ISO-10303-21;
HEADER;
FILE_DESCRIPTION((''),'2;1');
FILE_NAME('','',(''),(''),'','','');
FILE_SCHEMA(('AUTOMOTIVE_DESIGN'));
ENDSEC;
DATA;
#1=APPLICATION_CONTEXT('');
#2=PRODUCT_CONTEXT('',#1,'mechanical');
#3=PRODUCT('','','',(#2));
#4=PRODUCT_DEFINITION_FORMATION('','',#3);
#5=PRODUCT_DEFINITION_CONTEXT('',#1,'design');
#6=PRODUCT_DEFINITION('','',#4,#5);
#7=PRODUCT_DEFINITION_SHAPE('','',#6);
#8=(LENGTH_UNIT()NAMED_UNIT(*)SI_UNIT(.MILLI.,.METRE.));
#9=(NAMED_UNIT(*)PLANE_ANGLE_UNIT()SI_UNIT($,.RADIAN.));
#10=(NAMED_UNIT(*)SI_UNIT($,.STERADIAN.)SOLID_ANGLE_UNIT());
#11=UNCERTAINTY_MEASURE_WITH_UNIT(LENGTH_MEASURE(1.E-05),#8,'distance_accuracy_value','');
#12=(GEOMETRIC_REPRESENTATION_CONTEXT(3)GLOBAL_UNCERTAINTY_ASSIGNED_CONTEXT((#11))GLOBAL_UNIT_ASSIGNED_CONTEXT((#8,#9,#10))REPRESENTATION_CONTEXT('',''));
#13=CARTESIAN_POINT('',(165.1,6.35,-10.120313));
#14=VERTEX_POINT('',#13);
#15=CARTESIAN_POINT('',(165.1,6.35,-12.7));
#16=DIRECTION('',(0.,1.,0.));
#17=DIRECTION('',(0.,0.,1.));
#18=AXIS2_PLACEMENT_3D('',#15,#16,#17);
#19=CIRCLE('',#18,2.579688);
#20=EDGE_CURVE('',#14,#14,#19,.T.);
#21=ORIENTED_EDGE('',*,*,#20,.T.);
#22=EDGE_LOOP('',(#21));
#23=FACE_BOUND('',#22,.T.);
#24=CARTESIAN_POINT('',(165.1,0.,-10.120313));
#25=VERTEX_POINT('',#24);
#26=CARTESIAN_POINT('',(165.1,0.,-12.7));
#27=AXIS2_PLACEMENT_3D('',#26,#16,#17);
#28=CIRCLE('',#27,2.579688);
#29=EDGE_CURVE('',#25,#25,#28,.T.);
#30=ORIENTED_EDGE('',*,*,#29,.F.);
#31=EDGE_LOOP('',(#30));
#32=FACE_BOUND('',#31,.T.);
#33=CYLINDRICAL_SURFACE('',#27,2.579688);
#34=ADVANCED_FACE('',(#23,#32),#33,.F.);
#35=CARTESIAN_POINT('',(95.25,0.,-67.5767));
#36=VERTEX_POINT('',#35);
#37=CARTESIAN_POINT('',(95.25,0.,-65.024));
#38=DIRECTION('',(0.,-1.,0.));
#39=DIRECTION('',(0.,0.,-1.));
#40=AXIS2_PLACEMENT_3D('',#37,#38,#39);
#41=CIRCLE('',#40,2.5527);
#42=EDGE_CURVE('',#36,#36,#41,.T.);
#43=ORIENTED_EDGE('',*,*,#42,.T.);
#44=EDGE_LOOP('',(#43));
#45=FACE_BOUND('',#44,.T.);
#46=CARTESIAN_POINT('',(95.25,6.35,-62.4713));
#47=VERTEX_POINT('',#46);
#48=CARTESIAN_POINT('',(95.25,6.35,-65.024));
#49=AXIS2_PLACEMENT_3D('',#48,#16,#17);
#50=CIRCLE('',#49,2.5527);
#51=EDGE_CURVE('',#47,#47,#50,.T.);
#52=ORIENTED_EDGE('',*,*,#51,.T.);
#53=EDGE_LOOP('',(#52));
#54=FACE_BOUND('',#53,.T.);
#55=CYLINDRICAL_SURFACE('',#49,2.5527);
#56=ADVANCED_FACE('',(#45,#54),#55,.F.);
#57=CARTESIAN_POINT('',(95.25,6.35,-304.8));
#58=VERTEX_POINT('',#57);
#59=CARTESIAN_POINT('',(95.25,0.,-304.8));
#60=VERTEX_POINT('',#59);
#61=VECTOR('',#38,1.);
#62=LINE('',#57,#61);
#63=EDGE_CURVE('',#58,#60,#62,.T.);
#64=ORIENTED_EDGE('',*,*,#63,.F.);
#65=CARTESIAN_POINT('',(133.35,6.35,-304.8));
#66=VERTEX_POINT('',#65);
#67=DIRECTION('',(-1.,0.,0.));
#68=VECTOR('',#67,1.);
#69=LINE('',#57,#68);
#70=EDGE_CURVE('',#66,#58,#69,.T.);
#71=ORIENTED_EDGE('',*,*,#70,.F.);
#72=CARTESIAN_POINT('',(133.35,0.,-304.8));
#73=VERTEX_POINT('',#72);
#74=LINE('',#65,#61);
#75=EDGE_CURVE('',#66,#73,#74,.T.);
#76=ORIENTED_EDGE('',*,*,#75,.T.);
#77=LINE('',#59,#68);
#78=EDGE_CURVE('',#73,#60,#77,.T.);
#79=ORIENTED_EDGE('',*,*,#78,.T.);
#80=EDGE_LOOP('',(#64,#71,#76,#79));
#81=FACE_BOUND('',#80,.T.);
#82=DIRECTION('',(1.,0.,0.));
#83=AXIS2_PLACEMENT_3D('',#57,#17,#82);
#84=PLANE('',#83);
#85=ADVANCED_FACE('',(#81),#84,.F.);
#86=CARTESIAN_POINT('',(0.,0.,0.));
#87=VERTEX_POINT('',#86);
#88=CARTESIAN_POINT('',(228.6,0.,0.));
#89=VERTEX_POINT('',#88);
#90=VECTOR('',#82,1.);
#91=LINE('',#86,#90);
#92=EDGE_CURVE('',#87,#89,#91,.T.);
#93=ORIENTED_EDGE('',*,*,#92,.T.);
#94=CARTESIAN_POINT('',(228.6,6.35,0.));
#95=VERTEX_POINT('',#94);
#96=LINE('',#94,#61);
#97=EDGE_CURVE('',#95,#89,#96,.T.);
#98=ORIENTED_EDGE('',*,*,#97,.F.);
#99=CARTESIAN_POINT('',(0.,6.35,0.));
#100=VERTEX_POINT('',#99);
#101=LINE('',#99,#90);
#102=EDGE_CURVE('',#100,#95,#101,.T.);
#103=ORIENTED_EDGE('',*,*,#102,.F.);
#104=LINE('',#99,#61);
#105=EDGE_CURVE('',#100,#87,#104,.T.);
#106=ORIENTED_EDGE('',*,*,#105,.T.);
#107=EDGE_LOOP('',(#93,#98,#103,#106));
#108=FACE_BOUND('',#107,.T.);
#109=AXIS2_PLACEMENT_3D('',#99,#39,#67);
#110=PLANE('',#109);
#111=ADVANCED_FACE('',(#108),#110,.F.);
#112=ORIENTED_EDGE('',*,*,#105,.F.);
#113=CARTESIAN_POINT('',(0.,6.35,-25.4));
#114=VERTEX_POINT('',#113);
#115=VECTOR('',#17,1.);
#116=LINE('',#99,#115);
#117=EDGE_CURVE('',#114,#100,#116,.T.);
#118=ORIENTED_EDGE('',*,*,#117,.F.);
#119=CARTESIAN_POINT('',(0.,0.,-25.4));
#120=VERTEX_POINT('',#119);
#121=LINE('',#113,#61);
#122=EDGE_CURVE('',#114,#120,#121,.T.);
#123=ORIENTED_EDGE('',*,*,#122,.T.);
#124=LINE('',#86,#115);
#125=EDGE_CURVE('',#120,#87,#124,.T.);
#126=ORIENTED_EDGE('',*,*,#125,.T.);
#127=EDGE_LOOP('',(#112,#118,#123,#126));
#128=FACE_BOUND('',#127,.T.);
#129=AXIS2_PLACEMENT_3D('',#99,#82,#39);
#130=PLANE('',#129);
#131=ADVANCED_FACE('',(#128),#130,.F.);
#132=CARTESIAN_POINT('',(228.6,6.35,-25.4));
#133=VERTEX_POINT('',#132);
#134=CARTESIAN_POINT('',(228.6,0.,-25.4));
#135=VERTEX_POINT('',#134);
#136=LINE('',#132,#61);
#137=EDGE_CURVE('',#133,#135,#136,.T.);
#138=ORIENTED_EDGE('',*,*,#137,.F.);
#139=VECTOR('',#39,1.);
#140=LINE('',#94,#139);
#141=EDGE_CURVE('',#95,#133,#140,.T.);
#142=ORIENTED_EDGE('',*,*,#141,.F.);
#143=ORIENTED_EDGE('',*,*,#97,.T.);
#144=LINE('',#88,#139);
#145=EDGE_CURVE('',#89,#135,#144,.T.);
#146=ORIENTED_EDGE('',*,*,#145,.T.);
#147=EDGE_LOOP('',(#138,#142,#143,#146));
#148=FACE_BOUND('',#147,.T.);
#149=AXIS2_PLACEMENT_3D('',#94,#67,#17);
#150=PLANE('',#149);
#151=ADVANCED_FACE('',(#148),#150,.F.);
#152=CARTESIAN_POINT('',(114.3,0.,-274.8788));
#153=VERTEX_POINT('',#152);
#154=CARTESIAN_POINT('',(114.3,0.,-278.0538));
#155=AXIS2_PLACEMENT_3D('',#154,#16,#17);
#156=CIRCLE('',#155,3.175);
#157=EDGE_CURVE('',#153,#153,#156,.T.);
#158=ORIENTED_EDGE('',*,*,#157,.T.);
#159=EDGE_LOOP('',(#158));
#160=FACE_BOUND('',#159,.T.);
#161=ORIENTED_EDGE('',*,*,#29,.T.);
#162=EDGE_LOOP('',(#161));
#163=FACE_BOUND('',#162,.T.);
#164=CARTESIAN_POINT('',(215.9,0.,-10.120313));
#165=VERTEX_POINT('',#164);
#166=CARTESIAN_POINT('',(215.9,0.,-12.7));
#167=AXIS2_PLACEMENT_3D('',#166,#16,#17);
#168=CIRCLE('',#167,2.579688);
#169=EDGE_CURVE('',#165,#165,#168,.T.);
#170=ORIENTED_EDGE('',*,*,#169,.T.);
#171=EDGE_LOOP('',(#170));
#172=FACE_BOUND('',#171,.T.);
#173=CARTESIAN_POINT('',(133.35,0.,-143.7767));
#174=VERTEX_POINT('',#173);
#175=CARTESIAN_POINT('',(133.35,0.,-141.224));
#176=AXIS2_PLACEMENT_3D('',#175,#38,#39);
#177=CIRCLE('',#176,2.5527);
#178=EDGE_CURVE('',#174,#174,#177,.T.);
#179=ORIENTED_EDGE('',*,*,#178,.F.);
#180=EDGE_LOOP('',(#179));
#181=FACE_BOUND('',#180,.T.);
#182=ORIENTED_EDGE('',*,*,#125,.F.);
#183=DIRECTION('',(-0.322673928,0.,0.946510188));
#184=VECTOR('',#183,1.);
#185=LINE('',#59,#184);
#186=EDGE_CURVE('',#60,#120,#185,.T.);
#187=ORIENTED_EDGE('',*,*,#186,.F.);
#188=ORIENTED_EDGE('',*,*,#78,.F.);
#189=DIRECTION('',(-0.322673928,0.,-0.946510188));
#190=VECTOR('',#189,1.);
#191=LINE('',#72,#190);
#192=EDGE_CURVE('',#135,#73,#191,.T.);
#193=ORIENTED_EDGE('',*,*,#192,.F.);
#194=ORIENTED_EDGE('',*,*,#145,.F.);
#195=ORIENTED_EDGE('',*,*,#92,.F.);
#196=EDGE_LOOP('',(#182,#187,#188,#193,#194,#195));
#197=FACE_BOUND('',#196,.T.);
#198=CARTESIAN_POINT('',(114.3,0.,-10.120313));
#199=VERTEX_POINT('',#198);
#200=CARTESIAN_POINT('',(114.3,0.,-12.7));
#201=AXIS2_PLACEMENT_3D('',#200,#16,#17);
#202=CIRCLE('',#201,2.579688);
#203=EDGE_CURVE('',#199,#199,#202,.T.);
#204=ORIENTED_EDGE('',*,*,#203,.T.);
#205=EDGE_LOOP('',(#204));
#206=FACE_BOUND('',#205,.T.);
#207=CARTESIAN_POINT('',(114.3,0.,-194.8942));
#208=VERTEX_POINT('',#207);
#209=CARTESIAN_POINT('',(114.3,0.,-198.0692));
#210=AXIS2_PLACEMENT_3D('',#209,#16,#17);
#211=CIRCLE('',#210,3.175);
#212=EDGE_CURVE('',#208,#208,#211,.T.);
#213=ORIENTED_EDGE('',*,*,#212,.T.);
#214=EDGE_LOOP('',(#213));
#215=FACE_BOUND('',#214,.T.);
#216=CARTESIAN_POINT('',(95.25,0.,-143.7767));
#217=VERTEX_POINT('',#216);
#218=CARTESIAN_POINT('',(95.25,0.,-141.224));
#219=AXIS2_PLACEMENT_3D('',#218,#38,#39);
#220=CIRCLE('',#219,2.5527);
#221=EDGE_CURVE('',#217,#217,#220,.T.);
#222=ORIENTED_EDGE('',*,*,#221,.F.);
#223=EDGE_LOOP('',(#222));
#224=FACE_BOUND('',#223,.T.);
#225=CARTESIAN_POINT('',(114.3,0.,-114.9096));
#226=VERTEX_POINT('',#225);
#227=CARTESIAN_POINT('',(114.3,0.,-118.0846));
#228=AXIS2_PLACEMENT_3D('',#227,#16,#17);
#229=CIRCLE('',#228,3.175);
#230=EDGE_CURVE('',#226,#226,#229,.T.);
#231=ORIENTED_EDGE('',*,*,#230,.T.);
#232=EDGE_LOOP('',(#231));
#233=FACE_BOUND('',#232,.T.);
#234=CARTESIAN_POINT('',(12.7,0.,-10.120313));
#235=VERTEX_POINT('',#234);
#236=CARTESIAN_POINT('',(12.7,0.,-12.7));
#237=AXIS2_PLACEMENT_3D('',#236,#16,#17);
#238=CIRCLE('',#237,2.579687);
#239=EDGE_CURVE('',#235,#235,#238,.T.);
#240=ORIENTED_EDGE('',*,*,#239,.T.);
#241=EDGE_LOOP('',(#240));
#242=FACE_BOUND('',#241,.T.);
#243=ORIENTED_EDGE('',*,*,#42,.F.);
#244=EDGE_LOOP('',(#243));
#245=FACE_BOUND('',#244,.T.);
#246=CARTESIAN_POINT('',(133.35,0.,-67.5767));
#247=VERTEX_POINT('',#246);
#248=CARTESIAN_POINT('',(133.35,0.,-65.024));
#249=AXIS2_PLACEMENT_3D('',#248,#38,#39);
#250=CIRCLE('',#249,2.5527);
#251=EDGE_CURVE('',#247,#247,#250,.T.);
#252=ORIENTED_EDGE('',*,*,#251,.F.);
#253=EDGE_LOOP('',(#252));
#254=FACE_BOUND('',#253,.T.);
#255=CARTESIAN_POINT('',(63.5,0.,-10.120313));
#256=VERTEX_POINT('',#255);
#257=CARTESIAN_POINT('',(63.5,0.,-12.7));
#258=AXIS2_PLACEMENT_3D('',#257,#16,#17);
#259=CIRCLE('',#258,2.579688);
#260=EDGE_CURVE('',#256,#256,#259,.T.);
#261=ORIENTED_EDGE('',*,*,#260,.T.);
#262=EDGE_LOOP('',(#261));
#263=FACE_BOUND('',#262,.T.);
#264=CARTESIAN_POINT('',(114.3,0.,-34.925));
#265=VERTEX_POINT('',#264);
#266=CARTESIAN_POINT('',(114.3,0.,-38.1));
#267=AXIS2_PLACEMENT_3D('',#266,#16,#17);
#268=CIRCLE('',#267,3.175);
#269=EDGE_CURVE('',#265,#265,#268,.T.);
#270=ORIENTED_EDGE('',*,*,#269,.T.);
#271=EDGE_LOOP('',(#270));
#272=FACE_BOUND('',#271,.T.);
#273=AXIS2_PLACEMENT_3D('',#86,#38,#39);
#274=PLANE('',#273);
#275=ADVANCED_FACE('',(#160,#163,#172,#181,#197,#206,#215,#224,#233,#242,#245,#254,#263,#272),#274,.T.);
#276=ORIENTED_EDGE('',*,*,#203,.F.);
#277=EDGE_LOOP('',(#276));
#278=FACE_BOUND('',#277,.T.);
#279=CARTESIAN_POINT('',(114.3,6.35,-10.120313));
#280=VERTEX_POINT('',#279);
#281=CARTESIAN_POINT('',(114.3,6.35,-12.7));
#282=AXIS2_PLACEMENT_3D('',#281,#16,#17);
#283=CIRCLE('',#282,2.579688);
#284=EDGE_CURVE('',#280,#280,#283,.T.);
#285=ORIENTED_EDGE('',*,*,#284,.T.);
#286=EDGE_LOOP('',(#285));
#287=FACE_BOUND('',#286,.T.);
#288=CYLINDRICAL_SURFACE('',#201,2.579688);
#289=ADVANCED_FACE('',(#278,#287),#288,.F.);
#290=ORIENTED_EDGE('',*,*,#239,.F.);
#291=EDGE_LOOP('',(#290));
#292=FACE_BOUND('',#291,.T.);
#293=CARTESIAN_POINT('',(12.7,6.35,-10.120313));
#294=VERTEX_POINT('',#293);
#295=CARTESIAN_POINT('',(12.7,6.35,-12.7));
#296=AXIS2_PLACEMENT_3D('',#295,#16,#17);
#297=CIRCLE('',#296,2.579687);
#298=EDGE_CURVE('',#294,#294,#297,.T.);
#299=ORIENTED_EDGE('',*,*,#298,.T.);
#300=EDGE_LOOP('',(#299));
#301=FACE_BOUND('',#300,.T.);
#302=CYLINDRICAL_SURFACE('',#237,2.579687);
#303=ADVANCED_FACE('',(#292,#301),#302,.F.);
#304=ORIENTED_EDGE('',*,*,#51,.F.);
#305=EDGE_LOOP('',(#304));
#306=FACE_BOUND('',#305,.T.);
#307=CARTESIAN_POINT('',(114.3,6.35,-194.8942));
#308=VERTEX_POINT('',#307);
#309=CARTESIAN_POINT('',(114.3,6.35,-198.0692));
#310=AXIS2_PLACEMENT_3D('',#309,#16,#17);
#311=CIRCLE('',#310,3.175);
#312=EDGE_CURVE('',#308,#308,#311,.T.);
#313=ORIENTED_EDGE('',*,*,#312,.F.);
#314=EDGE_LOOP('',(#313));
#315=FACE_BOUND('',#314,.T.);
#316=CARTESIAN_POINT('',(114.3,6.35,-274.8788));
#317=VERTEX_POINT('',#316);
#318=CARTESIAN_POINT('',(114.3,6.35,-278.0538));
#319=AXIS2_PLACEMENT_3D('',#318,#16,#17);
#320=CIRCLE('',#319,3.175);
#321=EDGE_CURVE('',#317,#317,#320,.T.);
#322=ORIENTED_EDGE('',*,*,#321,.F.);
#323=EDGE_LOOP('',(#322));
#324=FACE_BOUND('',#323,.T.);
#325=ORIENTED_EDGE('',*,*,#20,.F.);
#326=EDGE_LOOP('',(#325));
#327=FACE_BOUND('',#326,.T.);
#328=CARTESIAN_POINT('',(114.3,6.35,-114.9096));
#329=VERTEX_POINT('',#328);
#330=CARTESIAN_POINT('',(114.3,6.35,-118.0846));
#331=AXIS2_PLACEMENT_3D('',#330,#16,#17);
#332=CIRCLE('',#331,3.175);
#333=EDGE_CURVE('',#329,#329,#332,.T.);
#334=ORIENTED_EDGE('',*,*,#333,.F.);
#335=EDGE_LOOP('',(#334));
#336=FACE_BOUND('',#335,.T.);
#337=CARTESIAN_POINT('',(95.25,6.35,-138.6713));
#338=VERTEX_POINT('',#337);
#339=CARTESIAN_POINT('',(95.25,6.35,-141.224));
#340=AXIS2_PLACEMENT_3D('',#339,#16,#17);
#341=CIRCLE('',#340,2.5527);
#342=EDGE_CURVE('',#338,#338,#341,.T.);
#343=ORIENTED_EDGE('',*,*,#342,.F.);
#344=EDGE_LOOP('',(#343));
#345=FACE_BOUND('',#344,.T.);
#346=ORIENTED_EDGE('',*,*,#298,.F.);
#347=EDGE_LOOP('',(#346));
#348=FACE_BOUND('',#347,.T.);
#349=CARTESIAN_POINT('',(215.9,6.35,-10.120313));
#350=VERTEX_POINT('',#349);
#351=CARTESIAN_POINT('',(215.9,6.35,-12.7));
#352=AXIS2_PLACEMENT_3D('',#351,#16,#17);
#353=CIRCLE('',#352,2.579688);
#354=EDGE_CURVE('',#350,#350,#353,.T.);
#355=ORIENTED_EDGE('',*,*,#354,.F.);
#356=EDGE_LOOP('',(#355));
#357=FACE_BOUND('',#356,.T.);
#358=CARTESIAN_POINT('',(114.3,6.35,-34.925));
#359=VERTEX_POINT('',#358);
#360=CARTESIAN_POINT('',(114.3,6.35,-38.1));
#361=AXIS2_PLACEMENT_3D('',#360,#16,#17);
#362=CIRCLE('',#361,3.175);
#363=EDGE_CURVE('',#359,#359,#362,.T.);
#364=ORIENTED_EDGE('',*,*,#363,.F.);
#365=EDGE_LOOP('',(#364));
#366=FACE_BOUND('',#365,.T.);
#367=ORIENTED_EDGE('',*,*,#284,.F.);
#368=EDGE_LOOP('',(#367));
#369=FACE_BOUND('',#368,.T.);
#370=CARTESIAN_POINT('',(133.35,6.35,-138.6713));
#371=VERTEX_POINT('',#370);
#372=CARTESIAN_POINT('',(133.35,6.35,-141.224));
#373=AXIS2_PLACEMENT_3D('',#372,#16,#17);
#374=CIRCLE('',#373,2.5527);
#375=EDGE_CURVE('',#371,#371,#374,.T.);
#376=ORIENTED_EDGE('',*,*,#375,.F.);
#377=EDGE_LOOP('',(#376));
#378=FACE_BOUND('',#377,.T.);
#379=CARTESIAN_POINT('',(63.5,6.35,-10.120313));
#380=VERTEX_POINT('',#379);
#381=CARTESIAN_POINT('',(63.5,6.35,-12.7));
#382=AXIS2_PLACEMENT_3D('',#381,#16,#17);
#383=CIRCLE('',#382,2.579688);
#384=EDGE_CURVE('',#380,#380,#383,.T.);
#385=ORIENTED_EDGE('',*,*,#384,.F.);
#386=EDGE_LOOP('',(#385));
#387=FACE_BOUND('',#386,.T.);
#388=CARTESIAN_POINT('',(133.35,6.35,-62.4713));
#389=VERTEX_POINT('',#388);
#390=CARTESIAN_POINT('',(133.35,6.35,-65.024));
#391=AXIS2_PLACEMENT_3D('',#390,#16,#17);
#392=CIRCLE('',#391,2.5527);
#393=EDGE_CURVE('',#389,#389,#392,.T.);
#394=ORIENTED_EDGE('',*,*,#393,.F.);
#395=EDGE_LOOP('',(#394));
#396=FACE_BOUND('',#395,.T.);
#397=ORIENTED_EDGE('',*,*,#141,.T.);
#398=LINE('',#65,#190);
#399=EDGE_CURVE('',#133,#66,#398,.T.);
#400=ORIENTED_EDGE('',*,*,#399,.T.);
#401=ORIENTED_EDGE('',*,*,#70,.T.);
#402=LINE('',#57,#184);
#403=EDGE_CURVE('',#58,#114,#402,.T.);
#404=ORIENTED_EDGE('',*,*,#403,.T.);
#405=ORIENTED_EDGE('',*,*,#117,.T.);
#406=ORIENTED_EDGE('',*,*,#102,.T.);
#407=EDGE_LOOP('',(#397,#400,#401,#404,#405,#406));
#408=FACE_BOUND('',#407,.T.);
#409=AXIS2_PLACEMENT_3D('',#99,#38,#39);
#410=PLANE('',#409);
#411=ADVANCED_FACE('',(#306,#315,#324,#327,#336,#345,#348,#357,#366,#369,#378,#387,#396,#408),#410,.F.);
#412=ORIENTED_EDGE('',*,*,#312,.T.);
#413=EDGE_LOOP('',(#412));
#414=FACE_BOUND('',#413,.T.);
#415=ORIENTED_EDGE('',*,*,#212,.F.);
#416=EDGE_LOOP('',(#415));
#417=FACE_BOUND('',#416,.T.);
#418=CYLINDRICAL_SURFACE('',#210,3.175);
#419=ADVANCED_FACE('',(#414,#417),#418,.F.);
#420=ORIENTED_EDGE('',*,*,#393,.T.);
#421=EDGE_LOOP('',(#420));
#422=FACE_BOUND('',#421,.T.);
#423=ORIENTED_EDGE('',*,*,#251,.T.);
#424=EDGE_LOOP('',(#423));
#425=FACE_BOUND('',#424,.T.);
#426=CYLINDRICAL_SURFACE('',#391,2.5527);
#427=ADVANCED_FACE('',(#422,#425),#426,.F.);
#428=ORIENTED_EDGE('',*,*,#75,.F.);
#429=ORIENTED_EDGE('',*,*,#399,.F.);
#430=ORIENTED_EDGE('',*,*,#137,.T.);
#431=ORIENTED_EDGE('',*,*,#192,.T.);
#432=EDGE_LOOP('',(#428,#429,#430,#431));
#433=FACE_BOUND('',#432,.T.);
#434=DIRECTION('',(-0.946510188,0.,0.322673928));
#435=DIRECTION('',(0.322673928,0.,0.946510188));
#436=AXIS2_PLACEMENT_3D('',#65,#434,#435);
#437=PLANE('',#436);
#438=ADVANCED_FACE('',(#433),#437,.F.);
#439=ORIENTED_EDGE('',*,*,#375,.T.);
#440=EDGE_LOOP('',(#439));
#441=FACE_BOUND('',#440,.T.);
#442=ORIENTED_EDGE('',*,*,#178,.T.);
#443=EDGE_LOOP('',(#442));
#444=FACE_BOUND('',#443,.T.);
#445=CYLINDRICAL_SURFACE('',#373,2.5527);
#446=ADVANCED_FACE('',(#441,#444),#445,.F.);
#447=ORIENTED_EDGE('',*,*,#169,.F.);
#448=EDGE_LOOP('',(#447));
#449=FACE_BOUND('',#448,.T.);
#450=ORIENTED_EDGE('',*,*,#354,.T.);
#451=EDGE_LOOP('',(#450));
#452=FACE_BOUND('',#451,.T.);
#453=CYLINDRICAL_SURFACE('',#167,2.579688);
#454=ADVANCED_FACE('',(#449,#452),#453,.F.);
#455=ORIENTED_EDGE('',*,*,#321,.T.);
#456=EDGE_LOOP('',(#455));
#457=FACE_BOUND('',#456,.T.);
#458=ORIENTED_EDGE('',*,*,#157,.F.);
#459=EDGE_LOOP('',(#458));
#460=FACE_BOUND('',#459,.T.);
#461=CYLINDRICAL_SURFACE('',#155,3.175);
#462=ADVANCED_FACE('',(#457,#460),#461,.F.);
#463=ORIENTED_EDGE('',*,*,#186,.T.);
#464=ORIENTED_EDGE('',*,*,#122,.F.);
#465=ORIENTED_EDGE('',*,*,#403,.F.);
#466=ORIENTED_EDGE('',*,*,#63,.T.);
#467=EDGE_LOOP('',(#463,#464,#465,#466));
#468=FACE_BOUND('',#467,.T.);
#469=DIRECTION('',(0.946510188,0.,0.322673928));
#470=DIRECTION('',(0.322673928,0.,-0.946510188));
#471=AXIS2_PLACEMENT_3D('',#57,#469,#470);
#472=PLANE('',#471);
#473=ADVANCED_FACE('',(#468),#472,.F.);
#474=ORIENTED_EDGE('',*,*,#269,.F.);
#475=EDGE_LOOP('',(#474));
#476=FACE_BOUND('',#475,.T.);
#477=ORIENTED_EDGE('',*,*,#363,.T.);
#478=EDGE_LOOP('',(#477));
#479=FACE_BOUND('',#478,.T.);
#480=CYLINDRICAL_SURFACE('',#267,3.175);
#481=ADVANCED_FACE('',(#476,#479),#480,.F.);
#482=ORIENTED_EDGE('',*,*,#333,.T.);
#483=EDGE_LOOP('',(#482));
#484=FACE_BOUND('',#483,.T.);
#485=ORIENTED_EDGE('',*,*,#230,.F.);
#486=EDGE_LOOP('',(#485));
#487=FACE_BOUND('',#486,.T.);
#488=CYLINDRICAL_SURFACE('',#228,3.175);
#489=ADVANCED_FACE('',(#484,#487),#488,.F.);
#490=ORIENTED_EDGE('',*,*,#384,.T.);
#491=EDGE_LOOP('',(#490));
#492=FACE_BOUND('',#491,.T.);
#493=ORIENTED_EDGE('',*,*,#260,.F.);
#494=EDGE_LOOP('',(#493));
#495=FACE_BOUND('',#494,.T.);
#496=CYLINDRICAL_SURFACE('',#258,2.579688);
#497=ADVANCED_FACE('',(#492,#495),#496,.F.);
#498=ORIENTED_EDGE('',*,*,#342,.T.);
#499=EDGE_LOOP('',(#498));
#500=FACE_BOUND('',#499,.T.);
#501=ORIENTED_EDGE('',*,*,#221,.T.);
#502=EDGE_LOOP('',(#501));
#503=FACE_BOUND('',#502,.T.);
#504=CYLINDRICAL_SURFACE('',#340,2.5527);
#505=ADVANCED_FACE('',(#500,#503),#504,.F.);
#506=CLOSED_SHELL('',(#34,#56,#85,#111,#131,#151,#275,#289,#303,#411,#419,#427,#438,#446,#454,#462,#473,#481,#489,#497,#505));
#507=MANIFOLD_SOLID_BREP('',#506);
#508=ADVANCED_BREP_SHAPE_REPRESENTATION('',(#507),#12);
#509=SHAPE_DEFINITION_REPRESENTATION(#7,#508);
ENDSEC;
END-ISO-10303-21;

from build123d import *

# Parameters (mm, degrees)
BOSS_EXTRUDE1_DEPTH         = 6.35
SKETCH2_R                   = 2.5796875
SKETCH2_R_2                 = 3.175
CUT_EXTRUDE1_DEPTH          = 382.052912992
SKETCH3_R                   = 1.905
CUT_EXTRUDE2_DEPTH          = 382.052912992
F_1_4_20_TAPPED_HOLE1_D     = 5.1054
F_1_4_20_TAPPED_HOLE1_DEPTH = 16.51
F_1_4_20_TAPPED_HOLE1_TIP   = 1.533816902


with BuildPart() as part:
    # Sketch1 → Boss-Extrude1 (new body)
    with BuildSketch(Plane(origin=(0, 0, 0), x_dir=(1, 0, 0), z_dir=(0, 1, 0))):
        Polygon((0, 0), (228.6, 0), (228.6, 25.4), (133.35, 304.8), (95.25, 304.8), (0, 25.4), align=None)
    extrude(amount=BOSS_EXTRUDE1_DEPTH)

    # Sketch2 → Cut-Extrude1 (cut, through all)
    with BuildSketch(Plane(origin=(0, 6.35, 0), x_dir=(1, 0, 0), z_dir=(0, 1, 0))):
        with Locations(Location((165.1, 12.7, 0), (0, 0, 270))):
            Circle(SKETCH2_R)
        with Locations(Location((114.3, 12.7, 0), (0, 0, 270))):
            Circle(SKETCH2_R)
        with Locations(Location((63.5, 12.7, 0), (0, 0, 270))):
            Circle(SKETCH2_R)
        with Locations(Location((114.3, 38.1, 0), (0, 0, 270))):
            Circle(SKETCH2_R_2)
        with Locations(Location((114.3, 118.0846, 0), (0, 0, 270))):
            Circle(SKETCH2_R_2)
        with Locations(Location((114.3, 198.0692, 0), (0, 0, 270))):
            Circle(SKETCH2_R_2)
        with Locations(Location((114.3, 278.0538, 0), (0, 0, 270))):
            Circle(SKETCH2_R_2)
        with Locations(Location((12.7, 12.7, 0), (0, 0, 270))):
            Circle(SKETCH2_R)
        with Locations(Location((215.9, 12.7, 0), (0, 0, 270))):
            Circle(SKETCH2_R)
    extrude(amount=-CUT_EXTRUDE1_DEPTH, mode=Mode.SUBTRACT)

    # Sketch3 → Cut-Extrude2 (cut, through all)
    with BuildSketch(Plane(origin=(0, 6.35, 0), x_dir=(1, 0, 0), z_dir=(0, 1, 0))):
        with Locations(Location((133.35, 65.024, 0), (0, 0, 270))):
            Circle(SKETCH3_R)
        with Locations(Location((95.25, 65.024, 0), (0, 0, 270))):
            Circle(SKETCH3_R)
        with Locations(Location((133.35, 141.224, 0), (0, 0, 270))):
            Circle(SKETCH3_R)
        with Locations(Location((95.25, 141.224, 0), (0, 0, 270))):
            Circle(SKETCH3_R)
    extrude(amount=-CUT_EXTRUDE2_DEPTH, mode=Mode.SUBTRACT)

    # 1/4-20 Tapped Hole1
    with Locations(Plane(origin=(0, 6.35, 0), x_dir=(1, 0, 0), z_dir=(0, 1, 0))):
        with Locations((95.25, 141.224), (133.35, 141.224), (133.35, 65.024), (95.25, 65.024)):
            Hole(F_1_4_20_TAPPED_HOLE1_D / 2, depth=F_1_4_20_TAPPED_HOLE1_DEPTH)
            with Locations((0, 0, -(F_1_4_20_TAPPED_HOLE1_DEPTH + F_1_4_20_TAPPED_HOLE1_TIP / 2))):  # 118° drill point
                Cone(0, F_1_4_20_TAPPED_HOLE1_D / 2, F_1_4_20_TAPPED_HOLE1_TIP, mode=Mode.SUBTRACT)


solid = part.part
